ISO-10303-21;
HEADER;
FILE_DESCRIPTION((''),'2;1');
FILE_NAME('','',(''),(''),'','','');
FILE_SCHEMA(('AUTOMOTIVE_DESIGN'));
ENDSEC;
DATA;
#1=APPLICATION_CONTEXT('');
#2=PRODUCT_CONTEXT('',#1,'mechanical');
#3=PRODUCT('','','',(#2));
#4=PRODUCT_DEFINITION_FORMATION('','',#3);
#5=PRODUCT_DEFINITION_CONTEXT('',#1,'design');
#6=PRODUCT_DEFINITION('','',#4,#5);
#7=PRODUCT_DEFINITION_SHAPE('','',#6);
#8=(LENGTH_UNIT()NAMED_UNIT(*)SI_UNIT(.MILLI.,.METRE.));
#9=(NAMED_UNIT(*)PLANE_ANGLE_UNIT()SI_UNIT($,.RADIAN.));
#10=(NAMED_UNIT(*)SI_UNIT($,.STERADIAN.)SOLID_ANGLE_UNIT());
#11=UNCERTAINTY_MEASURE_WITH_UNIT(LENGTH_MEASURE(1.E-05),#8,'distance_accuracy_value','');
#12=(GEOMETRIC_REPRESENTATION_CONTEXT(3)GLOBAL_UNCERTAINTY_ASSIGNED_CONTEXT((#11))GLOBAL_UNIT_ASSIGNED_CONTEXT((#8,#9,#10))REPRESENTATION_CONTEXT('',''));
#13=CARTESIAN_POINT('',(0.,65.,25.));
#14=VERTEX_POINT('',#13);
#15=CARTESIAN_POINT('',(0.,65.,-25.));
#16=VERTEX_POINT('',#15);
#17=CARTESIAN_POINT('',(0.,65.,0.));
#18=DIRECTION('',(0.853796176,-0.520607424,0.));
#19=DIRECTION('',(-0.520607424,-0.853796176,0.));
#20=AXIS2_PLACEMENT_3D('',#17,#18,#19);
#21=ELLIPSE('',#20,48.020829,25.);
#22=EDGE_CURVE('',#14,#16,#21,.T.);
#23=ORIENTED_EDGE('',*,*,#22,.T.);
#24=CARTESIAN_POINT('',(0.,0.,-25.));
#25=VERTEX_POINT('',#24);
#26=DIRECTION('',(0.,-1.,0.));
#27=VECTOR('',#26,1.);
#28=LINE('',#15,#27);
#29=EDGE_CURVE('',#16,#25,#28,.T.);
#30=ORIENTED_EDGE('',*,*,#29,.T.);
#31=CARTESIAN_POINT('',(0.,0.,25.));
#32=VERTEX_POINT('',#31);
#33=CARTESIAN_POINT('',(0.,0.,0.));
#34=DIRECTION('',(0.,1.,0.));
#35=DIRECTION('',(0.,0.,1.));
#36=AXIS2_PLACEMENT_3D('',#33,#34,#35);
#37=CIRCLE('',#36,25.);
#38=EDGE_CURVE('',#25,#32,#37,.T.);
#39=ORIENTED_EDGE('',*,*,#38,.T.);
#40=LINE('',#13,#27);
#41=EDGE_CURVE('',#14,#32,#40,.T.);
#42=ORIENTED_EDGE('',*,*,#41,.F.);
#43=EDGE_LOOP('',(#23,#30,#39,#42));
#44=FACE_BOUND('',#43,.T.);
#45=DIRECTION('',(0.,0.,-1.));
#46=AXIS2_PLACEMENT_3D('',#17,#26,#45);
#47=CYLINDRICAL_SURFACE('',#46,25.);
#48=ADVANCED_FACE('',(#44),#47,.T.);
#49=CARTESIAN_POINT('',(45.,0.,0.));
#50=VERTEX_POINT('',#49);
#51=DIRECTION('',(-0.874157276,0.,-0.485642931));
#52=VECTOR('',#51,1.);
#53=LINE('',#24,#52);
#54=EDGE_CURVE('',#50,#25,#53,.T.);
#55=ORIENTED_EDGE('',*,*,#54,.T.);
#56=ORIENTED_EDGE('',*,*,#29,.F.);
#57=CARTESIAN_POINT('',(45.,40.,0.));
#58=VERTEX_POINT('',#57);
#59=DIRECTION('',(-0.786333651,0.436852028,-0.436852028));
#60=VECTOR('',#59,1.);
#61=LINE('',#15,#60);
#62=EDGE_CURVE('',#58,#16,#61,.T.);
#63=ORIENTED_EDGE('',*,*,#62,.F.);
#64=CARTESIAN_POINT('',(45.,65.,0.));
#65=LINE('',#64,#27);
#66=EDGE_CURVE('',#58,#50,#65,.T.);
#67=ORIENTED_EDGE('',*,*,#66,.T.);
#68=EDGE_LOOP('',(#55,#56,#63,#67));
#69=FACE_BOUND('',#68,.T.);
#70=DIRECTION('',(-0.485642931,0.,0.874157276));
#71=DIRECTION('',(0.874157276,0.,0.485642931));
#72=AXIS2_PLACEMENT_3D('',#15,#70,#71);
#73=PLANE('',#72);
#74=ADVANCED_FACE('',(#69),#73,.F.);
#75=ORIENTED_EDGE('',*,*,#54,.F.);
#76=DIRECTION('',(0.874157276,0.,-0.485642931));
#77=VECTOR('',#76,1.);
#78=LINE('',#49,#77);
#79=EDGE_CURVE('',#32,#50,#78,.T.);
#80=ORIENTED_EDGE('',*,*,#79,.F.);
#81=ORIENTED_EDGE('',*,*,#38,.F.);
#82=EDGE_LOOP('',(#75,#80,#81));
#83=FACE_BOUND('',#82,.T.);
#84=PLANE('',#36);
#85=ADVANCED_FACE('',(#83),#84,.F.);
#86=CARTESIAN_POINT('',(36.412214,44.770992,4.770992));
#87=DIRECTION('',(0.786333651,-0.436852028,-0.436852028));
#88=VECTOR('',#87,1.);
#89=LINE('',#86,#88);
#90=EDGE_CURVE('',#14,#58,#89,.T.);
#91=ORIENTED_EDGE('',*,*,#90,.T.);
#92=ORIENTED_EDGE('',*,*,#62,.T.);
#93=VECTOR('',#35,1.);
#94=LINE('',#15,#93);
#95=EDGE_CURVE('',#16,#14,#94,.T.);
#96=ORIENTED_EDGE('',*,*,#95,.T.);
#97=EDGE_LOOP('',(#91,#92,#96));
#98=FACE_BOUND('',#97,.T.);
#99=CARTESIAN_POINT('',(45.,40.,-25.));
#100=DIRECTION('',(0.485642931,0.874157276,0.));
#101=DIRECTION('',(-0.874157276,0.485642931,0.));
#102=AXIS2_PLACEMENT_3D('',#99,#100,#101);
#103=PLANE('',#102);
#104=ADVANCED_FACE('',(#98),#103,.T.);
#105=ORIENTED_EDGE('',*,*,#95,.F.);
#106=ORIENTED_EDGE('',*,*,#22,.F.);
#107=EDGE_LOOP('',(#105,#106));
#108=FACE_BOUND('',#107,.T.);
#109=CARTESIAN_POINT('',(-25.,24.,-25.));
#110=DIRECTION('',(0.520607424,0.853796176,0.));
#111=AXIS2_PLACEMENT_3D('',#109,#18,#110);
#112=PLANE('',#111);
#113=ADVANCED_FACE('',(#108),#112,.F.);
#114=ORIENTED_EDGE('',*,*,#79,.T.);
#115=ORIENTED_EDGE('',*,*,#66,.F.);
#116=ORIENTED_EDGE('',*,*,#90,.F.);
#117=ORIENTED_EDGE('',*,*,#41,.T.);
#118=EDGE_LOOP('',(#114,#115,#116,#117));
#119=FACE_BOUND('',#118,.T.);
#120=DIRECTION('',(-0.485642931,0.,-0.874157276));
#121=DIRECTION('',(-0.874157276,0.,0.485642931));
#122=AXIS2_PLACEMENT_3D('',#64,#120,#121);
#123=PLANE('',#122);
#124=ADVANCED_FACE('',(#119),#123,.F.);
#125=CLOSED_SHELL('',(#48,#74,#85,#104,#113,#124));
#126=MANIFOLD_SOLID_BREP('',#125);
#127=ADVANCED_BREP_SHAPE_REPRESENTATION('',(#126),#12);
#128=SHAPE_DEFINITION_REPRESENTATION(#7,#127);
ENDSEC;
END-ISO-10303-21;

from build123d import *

# Parameters (mm, degrees)
EXTRUDE1_DEPTH     = 65
CUT_EXTRUDE1_DEPTH = 25


with BuildPart() as part:
    # Sketch1 → Extrude1 (new body)
    with BuildSketch(Plane(origin=(0, 0, 0), x_dir=(1, 0, 0), z_dir=(0, 1, 0))):
        with BuildLine():
            Line((0, 25), (45, 0))
            Line((45, 0), (0, -25))
            ThreePointArc((0, -25), (-25, 0), (0, 25))
        make_face()
    extrude(amount=EXTRUDE1_DEPTH)

    # Sketch2 → Cut-Extrude1 (cut, symmetric)
    with BuildSketch(Plane.XY):
        Polygon((45, 65), (0, 65), (45, 40), align=None)
        Polygon((-25, 24), (0, 65), (-25, 65), align=None)
    extrude(amount=CUT_EXTRUDE1_DEPTH, both=True, mode=Mode.SUBTRACT)


solid = part.part
